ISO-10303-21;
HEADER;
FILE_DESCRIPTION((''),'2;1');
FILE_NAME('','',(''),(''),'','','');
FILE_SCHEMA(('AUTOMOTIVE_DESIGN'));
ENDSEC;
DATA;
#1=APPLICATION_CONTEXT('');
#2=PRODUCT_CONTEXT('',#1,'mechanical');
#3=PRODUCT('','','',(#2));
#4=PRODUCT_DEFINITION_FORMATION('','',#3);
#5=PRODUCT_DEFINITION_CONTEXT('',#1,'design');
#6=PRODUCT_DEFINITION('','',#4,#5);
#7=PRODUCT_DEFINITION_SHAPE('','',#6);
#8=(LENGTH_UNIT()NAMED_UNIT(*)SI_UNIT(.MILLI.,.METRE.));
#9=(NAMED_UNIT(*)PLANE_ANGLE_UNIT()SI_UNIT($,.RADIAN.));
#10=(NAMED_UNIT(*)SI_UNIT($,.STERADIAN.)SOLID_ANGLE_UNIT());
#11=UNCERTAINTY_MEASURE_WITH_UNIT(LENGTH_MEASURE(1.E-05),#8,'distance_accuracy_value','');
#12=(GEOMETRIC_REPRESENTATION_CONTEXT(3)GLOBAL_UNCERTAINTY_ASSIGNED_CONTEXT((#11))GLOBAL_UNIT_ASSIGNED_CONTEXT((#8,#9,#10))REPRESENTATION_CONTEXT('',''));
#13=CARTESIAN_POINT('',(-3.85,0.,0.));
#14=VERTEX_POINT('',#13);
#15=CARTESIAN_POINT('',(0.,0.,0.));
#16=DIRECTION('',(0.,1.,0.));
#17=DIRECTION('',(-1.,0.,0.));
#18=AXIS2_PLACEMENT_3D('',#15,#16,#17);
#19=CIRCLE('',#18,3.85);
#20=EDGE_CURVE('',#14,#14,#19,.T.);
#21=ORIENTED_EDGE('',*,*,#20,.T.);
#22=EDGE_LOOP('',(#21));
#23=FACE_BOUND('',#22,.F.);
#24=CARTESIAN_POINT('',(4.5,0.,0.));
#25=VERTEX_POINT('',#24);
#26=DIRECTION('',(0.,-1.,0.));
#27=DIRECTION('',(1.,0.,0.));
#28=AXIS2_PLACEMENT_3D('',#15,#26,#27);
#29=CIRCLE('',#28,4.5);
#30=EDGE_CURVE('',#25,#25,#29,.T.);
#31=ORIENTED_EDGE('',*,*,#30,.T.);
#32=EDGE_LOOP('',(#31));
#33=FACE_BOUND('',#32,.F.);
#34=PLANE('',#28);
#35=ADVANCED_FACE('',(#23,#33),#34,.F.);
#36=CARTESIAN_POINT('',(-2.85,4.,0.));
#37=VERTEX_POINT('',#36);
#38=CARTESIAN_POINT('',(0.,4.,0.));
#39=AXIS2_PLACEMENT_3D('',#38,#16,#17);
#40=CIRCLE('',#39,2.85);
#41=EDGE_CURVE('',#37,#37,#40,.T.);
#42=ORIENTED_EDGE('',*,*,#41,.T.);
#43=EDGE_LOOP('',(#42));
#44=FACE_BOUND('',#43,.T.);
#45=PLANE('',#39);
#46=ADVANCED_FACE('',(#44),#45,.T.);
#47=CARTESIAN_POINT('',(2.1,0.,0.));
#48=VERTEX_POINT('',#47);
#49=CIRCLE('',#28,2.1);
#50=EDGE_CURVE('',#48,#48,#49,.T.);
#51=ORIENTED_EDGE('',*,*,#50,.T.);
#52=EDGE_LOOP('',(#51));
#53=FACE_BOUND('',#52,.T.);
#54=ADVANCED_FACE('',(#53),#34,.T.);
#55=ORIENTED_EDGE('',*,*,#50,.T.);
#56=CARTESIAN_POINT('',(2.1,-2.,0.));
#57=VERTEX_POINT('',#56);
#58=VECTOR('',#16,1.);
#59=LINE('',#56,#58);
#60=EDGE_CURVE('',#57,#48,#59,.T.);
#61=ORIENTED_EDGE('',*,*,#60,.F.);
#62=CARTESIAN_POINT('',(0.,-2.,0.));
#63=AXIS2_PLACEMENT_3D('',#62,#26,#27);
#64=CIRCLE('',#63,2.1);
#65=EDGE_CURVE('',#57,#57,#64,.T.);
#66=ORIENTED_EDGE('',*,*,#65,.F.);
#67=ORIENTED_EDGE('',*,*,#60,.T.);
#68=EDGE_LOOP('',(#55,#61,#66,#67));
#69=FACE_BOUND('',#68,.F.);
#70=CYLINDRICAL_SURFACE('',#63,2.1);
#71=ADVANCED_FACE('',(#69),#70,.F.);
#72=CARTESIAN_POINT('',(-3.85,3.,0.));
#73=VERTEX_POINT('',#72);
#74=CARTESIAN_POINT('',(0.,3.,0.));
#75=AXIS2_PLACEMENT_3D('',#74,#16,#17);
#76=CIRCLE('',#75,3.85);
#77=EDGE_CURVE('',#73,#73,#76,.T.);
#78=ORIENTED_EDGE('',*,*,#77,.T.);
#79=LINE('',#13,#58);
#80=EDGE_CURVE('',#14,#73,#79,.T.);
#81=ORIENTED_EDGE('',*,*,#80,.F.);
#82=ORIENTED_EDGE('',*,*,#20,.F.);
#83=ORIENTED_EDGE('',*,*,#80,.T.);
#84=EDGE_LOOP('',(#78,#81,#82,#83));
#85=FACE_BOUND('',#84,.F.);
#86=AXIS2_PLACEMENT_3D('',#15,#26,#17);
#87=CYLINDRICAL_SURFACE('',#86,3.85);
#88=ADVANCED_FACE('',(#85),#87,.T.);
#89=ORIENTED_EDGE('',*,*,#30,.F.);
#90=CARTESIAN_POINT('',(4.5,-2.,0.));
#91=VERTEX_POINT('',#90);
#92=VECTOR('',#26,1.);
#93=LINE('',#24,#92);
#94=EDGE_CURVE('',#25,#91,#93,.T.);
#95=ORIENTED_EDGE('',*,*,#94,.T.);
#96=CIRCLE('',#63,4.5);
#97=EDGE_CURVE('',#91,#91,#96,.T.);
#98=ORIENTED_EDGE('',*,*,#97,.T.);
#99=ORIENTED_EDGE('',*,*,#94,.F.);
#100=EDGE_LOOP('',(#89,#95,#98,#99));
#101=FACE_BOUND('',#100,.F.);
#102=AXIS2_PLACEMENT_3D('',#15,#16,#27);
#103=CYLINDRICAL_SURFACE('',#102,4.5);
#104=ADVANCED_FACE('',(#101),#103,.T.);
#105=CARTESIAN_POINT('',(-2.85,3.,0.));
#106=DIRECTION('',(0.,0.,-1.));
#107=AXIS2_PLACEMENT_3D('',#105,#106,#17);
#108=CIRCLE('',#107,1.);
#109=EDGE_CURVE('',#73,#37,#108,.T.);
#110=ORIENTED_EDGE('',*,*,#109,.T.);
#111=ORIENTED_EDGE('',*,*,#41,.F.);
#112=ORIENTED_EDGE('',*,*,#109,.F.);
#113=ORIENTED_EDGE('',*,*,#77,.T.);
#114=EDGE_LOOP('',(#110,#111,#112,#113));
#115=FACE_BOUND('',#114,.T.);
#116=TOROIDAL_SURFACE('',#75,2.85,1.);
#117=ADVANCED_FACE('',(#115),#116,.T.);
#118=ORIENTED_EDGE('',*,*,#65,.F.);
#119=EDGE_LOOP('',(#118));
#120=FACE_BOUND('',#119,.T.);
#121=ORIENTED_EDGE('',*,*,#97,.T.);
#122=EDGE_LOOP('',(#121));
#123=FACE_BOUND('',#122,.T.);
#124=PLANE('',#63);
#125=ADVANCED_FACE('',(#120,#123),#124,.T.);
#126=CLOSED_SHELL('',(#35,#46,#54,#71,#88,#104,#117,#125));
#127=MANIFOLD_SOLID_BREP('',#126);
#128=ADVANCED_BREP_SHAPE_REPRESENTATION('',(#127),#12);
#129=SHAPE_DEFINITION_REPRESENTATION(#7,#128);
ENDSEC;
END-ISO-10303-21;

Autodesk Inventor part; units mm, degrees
ref_plane "YZ Plane" through (0, 0, 0) normal (1, 0, 0) x (0, 1, 0)
ref_plane "XZ Plane" through (0, 0, 0) normal (0, 1, 0) x (-1, 0, 0)
ref_plane "XY Plane" through (0, 0, 0) normal (0, 0, 1) x (1, 0, 0)
sketch "Sketch1" plane through (0, 0, 0) normal (0, 1, 0) x (-1, 0, 0)
  circle A0 centre (0, 0) radius 3.85
  dimension "d0" = 7.7
extrude "Extrusion1" add sketch "Sketch1" along normal blind 4
fillet "Fillet1" radius 1 1 edges at (3.85, 4, 0)
sketch "Sketch2" plane through (0, 0, 0) normal (0, -1, 0) x (1, 0, 0)
  circle A0 centre (0, 0) radius 4.5
  dimension "d4" = 9
extrude "Extrusion2" add sketch "Sketch2" along normal blind 2
sketch "Sketch3" plane through (0, -2, 0) normal (0, -1, 0) x (1, 0, 0)
  circle A0 centre (0, 0) radius 2.1
  dimension "d7" = 4.2
extrude "Extrusion3" cut sketch "Sketch3" against normal blind 2
properties part number "tlacitko"
